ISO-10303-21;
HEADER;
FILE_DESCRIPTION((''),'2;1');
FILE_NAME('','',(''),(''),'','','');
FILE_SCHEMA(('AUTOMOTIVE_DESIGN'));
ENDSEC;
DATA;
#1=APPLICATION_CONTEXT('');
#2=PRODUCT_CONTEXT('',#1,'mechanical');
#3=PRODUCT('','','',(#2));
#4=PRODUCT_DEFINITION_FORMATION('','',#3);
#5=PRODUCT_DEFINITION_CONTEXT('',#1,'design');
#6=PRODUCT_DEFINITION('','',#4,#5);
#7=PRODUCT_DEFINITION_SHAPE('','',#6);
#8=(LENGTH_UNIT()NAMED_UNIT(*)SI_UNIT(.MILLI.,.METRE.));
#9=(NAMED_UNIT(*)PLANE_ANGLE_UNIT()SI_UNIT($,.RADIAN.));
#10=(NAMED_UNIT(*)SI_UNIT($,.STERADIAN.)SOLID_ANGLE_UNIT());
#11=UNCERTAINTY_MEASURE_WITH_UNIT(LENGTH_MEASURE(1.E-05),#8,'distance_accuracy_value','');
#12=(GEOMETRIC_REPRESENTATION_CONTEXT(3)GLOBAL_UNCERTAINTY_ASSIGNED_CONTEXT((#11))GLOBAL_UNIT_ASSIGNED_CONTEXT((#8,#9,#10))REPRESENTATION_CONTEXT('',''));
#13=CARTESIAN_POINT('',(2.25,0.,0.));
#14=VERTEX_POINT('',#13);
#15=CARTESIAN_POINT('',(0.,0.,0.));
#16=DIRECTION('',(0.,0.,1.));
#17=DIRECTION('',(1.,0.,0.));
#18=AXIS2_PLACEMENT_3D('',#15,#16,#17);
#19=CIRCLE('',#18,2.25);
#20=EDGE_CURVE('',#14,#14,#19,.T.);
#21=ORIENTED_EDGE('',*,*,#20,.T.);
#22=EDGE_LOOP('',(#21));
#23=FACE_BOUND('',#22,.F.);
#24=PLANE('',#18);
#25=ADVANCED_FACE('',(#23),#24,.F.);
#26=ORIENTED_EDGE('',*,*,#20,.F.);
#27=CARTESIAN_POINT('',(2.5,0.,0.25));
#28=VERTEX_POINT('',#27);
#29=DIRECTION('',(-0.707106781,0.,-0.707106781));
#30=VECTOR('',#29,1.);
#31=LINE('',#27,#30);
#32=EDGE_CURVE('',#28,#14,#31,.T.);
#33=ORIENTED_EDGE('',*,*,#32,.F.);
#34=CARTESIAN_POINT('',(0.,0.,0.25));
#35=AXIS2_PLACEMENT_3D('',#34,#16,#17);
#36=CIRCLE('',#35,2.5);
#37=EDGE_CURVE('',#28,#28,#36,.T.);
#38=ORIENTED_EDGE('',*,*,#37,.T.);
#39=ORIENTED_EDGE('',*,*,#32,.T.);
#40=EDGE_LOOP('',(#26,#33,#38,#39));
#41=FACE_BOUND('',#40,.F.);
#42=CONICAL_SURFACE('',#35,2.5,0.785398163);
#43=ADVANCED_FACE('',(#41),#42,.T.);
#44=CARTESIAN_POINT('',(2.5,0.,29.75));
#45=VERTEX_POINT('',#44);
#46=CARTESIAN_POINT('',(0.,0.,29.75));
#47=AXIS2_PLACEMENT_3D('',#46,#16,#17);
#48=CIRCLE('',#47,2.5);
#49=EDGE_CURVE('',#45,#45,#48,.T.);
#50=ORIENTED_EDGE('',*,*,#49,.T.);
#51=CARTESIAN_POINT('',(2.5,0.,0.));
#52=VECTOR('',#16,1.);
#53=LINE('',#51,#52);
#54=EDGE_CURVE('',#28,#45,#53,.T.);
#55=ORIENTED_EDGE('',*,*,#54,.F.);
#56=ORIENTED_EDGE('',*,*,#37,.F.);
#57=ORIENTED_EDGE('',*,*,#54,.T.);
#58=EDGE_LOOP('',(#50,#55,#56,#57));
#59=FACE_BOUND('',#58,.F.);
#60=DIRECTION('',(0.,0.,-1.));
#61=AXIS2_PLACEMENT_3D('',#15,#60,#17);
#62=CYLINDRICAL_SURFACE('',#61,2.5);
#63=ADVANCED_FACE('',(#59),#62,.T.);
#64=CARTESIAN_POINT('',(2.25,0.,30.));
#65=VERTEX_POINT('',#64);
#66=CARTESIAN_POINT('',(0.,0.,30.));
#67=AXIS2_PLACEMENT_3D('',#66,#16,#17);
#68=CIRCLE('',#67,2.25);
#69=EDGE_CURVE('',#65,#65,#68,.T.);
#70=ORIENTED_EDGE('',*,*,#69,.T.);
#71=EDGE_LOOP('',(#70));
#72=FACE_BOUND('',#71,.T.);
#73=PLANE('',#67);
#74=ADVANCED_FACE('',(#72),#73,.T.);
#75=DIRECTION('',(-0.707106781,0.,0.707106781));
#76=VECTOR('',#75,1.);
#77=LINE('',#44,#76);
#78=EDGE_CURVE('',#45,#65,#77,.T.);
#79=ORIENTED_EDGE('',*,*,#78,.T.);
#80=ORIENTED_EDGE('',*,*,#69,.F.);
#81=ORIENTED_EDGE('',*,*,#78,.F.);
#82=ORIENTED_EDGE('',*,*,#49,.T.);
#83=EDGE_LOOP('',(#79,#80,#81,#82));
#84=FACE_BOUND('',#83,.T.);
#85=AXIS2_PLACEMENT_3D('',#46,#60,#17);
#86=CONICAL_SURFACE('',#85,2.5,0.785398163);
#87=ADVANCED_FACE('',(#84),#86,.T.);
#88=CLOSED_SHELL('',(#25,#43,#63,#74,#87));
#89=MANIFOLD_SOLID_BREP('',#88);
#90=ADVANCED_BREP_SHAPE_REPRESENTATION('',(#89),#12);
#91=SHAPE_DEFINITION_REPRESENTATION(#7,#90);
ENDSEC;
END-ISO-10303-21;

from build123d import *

# Parameters (mm, degrees)
ESQUISSE1_R          = 2.5
BASE_EXTRUSION_DEPTH = 30
CHANFREIN1_SIZE      = 0.25


with BuildPart() as part:
    # Esquisse1 → Base-Extrusion (new body)
    with BuildSketch(Plane.XY):
        Circle(ESQUISSE1_R)
    extrude(amount=BASE_EXTRUSION_DEPTH)

    # Chanfrein1
    chanfrein1_edges = [part.edges().sort_by_distance(p)[0] for p in [
        (-2.5, 0, 0),
        (-2.5, 0, 30),
    ]]
    chamfer(chanfrein1_edges, length=CHANFREIN1_SIZE)


solid = part.part
